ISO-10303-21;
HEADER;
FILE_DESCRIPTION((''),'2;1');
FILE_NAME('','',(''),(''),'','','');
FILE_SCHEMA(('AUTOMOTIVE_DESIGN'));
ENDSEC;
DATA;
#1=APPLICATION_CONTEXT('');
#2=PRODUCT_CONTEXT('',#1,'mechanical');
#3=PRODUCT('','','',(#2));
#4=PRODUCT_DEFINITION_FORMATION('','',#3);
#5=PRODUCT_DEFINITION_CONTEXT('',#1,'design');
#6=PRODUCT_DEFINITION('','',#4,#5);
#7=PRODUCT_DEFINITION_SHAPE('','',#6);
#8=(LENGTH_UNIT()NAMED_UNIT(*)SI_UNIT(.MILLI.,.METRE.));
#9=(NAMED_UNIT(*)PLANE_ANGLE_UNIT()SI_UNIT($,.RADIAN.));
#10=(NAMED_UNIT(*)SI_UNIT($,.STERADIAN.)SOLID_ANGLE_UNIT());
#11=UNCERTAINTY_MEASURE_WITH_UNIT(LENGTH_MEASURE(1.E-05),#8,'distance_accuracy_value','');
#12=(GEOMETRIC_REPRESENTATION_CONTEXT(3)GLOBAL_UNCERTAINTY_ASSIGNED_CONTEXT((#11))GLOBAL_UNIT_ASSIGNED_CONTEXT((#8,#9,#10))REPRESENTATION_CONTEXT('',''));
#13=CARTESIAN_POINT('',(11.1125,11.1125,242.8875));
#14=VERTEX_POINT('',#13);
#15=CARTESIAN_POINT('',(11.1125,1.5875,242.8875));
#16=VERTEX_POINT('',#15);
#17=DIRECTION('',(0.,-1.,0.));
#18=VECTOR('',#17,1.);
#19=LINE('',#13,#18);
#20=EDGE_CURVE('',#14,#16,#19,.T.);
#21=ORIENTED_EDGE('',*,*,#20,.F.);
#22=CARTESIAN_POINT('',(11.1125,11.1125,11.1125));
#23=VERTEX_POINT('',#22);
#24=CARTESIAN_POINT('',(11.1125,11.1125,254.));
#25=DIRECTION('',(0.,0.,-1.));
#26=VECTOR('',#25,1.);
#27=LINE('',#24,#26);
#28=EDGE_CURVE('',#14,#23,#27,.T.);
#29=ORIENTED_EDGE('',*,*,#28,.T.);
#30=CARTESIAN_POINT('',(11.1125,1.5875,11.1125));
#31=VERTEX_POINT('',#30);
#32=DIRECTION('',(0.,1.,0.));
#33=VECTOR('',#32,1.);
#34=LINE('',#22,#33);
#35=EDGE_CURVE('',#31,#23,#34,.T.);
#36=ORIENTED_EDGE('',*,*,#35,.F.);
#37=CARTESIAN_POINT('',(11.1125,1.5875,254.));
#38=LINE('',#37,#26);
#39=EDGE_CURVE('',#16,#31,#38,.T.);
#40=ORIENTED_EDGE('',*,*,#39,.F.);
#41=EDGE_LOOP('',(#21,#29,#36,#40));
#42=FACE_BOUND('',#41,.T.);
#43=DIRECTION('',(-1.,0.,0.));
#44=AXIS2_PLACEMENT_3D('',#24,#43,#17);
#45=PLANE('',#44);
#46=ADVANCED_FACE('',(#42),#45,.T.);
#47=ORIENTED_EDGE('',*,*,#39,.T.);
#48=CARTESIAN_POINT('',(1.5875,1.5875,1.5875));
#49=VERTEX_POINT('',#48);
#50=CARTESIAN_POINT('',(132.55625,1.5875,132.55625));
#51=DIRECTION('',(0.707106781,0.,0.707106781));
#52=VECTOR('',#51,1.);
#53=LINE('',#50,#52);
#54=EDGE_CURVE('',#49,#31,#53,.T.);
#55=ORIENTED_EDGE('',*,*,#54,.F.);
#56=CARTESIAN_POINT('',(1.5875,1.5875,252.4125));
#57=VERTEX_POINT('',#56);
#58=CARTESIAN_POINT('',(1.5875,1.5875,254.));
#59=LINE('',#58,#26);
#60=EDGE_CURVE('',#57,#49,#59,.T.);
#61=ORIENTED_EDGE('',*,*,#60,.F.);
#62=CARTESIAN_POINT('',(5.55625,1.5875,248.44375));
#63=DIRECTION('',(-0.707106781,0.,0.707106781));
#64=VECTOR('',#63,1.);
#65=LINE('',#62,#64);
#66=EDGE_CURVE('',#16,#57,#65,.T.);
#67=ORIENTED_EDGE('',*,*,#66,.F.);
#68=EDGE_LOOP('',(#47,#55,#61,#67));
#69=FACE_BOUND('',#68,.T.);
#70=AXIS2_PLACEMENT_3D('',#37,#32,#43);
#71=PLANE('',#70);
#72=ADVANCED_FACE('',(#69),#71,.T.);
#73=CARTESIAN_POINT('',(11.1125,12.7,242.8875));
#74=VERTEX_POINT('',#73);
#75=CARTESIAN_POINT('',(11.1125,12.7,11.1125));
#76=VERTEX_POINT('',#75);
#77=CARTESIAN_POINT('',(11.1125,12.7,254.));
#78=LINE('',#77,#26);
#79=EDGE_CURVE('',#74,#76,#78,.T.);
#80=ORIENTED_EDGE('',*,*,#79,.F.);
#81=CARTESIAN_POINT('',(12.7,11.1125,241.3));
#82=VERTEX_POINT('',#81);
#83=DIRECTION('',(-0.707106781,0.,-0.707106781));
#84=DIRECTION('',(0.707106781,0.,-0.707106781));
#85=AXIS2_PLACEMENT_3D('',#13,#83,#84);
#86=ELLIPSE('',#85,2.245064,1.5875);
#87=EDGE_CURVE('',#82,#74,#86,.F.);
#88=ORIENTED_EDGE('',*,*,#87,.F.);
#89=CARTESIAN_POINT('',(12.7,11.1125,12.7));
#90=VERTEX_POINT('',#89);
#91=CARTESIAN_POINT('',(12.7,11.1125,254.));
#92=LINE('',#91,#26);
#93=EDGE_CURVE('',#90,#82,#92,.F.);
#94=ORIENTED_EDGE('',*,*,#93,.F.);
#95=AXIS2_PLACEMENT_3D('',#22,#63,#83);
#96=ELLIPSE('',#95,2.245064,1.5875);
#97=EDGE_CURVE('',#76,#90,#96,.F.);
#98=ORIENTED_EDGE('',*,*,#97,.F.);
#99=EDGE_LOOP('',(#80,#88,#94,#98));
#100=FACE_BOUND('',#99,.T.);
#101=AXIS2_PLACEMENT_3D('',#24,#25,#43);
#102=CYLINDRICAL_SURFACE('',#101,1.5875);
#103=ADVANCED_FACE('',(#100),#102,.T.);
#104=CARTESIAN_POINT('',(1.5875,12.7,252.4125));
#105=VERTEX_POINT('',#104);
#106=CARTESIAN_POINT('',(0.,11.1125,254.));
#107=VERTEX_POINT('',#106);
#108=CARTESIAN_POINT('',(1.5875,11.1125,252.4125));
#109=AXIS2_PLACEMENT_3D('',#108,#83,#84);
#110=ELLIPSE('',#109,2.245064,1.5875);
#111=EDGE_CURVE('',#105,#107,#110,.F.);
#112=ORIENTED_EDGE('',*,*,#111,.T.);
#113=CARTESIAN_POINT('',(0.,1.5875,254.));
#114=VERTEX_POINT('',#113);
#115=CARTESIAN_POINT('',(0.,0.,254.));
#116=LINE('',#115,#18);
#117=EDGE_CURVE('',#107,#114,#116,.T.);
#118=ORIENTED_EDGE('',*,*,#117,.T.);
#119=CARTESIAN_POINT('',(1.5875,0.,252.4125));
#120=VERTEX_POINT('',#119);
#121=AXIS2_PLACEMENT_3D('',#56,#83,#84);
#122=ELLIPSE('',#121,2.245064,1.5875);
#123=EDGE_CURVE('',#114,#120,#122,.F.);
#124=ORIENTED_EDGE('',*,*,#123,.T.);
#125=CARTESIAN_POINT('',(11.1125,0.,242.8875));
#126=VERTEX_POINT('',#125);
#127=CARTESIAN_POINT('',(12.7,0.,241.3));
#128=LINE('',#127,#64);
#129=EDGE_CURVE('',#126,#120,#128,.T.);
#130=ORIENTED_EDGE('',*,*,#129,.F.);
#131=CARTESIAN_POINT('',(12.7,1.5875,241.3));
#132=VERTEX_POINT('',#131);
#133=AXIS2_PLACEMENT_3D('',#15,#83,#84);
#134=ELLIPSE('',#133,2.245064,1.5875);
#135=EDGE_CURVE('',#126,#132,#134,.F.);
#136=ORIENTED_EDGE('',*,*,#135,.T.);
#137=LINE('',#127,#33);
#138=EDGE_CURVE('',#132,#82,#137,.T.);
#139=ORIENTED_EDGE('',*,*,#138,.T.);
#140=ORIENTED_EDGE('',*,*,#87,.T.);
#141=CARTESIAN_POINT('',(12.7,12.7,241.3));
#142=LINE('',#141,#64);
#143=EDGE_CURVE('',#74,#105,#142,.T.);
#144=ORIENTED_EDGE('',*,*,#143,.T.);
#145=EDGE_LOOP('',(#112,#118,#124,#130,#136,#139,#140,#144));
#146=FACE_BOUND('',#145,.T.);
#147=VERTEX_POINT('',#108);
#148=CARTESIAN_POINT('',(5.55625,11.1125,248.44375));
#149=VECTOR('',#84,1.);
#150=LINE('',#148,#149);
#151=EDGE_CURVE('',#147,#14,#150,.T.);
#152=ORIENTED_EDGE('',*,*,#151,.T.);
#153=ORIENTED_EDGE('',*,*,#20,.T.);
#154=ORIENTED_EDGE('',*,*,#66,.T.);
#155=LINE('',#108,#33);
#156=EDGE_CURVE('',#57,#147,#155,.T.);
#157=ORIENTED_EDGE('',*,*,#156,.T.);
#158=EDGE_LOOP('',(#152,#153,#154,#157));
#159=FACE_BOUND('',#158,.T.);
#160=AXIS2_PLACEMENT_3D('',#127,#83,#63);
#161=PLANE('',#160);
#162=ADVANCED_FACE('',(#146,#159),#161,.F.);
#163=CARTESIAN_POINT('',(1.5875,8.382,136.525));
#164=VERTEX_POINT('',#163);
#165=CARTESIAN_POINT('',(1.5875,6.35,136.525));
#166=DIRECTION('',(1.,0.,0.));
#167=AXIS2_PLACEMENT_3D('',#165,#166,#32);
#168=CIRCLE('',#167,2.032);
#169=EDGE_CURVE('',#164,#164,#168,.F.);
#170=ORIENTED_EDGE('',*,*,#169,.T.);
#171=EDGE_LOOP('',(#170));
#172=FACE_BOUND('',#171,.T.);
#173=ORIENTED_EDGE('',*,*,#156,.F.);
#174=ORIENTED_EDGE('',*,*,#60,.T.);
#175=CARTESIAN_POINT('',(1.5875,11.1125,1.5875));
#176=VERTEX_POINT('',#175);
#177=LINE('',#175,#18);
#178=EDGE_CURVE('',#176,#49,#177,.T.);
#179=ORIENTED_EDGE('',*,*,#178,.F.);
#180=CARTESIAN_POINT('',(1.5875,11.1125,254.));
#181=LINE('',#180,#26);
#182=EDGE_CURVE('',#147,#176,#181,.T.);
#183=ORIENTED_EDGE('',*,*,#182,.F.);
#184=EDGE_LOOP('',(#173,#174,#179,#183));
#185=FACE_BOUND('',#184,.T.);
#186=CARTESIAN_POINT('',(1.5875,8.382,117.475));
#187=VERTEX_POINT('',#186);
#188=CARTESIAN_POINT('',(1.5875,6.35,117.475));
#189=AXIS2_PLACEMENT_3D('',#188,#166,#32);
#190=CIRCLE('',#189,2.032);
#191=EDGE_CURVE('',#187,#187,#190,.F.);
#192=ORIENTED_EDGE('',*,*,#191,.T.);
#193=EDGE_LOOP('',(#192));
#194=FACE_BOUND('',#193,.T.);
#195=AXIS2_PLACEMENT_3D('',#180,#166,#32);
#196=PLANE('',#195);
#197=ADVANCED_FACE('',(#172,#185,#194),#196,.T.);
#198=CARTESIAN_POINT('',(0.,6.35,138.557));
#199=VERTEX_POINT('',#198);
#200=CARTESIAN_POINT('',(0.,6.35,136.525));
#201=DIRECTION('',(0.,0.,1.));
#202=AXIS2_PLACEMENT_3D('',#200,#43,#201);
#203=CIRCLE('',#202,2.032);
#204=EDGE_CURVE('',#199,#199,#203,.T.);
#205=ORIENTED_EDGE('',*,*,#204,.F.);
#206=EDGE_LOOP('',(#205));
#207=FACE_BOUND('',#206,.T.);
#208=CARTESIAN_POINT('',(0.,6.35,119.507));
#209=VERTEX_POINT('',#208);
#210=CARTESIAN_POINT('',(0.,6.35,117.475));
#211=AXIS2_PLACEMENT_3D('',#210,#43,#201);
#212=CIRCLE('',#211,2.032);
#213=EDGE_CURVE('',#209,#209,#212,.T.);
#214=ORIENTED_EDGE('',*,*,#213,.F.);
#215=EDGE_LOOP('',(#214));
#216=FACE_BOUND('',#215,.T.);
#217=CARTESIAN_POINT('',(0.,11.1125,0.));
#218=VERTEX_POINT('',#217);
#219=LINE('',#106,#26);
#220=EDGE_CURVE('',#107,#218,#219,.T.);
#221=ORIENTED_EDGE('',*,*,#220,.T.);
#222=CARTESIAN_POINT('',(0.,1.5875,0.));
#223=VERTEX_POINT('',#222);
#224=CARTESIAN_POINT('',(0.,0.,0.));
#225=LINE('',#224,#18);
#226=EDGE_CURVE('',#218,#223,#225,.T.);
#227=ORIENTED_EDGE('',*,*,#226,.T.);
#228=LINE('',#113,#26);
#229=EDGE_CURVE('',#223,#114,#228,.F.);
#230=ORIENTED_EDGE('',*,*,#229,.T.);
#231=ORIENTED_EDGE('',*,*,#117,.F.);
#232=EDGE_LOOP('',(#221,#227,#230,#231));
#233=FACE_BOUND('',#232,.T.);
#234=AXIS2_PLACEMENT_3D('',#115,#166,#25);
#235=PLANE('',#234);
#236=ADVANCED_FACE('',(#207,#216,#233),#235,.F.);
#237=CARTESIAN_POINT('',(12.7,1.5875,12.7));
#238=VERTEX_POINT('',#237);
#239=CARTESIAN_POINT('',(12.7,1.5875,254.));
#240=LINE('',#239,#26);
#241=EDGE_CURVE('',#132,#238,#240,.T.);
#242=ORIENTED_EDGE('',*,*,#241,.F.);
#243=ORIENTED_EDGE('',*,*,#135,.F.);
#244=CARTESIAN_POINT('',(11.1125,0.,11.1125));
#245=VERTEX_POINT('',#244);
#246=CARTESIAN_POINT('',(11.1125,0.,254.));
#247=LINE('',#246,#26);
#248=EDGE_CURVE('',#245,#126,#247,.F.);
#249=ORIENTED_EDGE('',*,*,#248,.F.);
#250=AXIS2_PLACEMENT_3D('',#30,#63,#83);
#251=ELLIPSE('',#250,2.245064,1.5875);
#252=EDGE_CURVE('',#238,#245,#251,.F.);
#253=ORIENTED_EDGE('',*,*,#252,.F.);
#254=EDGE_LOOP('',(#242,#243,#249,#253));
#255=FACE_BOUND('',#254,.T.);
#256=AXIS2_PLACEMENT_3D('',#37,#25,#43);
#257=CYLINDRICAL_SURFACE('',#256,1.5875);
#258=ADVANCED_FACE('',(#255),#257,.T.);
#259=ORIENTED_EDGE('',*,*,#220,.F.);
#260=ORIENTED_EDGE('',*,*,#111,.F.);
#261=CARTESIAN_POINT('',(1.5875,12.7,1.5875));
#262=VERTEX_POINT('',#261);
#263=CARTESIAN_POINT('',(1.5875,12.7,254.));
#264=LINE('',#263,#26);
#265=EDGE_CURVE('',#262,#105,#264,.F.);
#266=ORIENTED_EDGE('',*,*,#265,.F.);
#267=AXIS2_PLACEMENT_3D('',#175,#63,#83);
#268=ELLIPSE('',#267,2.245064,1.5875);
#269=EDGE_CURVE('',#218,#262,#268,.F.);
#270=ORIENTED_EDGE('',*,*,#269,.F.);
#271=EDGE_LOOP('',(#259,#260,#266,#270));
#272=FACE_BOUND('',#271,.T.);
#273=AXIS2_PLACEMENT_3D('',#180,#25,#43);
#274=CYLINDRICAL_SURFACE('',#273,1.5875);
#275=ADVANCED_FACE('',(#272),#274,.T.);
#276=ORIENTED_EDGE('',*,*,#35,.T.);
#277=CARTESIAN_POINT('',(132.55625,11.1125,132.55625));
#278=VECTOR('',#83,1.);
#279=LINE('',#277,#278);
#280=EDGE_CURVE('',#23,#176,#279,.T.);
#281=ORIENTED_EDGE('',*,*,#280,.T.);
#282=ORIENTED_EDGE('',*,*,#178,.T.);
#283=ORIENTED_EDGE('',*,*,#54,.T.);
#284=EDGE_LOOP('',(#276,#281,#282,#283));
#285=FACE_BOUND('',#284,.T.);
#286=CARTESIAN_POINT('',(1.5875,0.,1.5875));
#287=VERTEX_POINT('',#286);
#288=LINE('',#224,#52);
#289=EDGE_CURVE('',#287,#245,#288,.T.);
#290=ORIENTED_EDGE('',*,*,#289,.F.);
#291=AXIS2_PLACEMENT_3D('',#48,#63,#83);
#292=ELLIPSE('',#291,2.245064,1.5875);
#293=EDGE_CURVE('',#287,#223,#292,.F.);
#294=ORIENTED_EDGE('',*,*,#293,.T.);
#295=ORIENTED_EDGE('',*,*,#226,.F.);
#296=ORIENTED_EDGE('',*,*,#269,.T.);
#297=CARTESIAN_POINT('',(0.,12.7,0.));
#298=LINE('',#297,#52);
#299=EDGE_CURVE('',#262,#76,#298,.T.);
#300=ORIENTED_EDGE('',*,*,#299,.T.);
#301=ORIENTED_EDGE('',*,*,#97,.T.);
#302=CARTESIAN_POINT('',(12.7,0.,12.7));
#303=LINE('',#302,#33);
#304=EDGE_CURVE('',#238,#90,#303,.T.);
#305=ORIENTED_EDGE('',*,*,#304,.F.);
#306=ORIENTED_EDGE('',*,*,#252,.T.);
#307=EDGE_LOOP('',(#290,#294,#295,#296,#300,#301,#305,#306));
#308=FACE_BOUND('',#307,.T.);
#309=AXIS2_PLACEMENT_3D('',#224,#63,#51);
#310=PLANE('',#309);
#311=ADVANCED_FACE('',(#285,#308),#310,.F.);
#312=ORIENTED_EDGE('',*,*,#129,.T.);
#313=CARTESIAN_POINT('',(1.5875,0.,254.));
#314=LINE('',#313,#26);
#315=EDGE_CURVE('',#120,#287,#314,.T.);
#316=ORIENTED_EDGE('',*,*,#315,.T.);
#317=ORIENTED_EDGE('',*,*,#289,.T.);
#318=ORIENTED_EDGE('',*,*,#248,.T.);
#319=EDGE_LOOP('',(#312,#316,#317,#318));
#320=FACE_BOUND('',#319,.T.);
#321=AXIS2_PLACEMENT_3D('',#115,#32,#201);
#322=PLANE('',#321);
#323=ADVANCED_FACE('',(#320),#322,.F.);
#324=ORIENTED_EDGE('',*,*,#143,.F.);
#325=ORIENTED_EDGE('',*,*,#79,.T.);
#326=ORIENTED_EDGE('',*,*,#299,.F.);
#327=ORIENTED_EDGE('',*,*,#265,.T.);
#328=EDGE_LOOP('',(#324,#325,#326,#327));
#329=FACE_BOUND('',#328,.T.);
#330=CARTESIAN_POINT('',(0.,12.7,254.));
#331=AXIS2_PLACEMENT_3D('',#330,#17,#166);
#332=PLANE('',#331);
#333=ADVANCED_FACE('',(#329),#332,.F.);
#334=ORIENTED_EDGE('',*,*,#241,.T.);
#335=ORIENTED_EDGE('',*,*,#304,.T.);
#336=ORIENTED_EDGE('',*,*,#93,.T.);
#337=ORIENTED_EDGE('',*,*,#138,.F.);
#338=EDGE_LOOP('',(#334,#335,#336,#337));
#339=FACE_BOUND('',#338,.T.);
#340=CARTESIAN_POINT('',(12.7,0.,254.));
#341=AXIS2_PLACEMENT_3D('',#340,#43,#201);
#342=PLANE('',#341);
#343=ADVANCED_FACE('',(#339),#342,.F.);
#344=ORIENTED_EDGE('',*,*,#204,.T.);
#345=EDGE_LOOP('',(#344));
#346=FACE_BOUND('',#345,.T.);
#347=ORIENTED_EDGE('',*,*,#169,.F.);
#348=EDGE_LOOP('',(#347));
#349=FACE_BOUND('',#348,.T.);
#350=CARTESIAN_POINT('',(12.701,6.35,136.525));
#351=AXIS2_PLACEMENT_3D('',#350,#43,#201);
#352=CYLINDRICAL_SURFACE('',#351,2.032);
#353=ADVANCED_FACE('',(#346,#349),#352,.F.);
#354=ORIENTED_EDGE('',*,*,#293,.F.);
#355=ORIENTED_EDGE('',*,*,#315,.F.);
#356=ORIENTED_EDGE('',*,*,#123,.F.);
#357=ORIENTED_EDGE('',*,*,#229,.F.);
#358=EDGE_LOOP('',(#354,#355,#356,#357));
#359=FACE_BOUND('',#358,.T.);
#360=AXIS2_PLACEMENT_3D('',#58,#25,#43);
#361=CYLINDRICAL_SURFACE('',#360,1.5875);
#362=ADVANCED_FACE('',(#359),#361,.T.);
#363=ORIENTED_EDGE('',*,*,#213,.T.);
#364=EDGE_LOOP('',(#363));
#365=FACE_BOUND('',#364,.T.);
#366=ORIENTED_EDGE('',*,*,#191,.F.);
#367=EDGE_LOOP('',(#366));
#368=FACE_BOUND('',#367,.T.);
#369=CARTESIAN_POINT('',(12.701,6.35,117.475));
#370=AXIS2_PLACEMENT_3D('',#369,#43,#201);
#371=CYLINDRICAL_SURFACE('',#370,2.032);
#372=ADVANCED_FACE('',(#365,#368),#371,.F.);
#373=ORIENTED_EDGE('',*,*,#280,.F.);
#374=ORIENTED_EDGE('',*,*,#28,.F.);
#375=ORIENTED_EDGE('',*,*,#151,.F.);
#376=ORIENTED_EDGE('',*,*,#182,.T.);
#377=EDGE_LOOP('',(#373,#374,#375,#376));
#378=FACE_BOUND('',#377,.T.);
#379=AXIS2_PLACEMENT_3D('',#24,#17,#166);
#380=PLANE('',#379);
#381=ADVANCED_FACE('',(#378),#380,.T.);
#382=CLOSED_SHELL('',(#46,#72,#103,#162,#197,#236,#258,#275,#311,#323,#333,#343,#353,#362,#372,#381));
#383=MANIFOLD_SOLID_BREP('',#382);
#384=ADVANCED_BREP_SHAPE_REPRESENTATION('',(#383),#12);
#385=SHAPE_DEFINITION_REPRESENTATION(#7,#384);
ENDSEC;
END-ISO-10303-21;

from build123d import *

# Parameters (mm, degrees)
SKETCH1_W           = 12.7
SKETCH1_H           = 12.7
SKETCH1_W_2         = 9.525
SKETCH1_H_2         = 9.525
BOSS_EXTRUDE1_DEPTH = 254
CUT_EXTRUDE1_DEPTH  = 13.7
FILLET1_R           = 1.5875
CUT_EXTRUDE2_REACH  = 14.7
SKETCH3_R           = 2.032


with BuildPart() as part:
    # Sketch1 → Boss-Extrude1 (new body)
    with BuildSketch(Plane.XY):
        with Locations((6.35, 6.35)):
            Rectangle(SKETCH1_W, SKETCH1_H)
        with Locations((6.35, 6.35)):
            Rectangle(SKETCH1_W_2, SKETCH1_H_2, mode=Mode.SUBTRACT)
    extrude(amount=BOSS_EXTRUDE1_DEPTH)

    # Sketch2 → Cut-Extrude1 (cut, through all)
    with BuildSketch(Plane(origin=(0, 12.7, 0), x_dir=(1, 0, 0), z_dir=(0, 1, 0))):
        Polygon((0, -254), (12.7, -254), (12.7, -241.3), align=None)
        Polygon((0, 0), (12.7, -12.7), (12.7, 0), align=None)
    extrude(amount=-CUT_EXTRUDE1_DEPTH, mode=Mode.SUBTRACT)

    # Fillet1
    fillet1_edges = [part.edges().sort_by_distance(p)[0] for p in [
        (12.7, 12.7, 127),
        (12.7, 0, 127),
        (0, 12.7, 127),
        (0, 0, 127),
    ]]
    fillet(fillet1_edges, radius=FILLET1_R)

    # Sketch3 → Cut-Extrude2 (cut, up to next)
    with BuildSketch(Plane.ZY, mode=Mode.PRIVATE) as cut_extrude2_sk1:
        with Locations((136.525, 6.35)):
            Circle(SKETCH3_R)
    cut_extrude2_tool1 = extrude(cut_extrude2_sk1.sketch, amount=-CUT_EXTRUDE2_REACH, mode=Mode.PRIVATE) & part.part
    add(cut_extrude2_tool1.solids().sort_by_distance((0, 6.35, 136.525))[0], mode=Mode.SUBTRACT)
    # Sketch3 → Cut-Extrude2 (cut, up to next)
    with BuildSketch(Plane.ZY, mode=Mode.PRIVATE) as cut_extrude2_sk2:
        with Locations((117.475, 6.35)):
            Circle(SKETCH3_R)
    cut_extrude2_tool2 = extrude(cut_extrude2_sk2.sketch, amount=-CUT_EXTRUDE2_REACH, mode=Mode.PRIVATE) & part.part
    add(cut_extrude2_tool2.solids().sort_by_distance((0, 6.35, 117.475))[0], mode=Mode.SUBTRACT)


solid = part.part
